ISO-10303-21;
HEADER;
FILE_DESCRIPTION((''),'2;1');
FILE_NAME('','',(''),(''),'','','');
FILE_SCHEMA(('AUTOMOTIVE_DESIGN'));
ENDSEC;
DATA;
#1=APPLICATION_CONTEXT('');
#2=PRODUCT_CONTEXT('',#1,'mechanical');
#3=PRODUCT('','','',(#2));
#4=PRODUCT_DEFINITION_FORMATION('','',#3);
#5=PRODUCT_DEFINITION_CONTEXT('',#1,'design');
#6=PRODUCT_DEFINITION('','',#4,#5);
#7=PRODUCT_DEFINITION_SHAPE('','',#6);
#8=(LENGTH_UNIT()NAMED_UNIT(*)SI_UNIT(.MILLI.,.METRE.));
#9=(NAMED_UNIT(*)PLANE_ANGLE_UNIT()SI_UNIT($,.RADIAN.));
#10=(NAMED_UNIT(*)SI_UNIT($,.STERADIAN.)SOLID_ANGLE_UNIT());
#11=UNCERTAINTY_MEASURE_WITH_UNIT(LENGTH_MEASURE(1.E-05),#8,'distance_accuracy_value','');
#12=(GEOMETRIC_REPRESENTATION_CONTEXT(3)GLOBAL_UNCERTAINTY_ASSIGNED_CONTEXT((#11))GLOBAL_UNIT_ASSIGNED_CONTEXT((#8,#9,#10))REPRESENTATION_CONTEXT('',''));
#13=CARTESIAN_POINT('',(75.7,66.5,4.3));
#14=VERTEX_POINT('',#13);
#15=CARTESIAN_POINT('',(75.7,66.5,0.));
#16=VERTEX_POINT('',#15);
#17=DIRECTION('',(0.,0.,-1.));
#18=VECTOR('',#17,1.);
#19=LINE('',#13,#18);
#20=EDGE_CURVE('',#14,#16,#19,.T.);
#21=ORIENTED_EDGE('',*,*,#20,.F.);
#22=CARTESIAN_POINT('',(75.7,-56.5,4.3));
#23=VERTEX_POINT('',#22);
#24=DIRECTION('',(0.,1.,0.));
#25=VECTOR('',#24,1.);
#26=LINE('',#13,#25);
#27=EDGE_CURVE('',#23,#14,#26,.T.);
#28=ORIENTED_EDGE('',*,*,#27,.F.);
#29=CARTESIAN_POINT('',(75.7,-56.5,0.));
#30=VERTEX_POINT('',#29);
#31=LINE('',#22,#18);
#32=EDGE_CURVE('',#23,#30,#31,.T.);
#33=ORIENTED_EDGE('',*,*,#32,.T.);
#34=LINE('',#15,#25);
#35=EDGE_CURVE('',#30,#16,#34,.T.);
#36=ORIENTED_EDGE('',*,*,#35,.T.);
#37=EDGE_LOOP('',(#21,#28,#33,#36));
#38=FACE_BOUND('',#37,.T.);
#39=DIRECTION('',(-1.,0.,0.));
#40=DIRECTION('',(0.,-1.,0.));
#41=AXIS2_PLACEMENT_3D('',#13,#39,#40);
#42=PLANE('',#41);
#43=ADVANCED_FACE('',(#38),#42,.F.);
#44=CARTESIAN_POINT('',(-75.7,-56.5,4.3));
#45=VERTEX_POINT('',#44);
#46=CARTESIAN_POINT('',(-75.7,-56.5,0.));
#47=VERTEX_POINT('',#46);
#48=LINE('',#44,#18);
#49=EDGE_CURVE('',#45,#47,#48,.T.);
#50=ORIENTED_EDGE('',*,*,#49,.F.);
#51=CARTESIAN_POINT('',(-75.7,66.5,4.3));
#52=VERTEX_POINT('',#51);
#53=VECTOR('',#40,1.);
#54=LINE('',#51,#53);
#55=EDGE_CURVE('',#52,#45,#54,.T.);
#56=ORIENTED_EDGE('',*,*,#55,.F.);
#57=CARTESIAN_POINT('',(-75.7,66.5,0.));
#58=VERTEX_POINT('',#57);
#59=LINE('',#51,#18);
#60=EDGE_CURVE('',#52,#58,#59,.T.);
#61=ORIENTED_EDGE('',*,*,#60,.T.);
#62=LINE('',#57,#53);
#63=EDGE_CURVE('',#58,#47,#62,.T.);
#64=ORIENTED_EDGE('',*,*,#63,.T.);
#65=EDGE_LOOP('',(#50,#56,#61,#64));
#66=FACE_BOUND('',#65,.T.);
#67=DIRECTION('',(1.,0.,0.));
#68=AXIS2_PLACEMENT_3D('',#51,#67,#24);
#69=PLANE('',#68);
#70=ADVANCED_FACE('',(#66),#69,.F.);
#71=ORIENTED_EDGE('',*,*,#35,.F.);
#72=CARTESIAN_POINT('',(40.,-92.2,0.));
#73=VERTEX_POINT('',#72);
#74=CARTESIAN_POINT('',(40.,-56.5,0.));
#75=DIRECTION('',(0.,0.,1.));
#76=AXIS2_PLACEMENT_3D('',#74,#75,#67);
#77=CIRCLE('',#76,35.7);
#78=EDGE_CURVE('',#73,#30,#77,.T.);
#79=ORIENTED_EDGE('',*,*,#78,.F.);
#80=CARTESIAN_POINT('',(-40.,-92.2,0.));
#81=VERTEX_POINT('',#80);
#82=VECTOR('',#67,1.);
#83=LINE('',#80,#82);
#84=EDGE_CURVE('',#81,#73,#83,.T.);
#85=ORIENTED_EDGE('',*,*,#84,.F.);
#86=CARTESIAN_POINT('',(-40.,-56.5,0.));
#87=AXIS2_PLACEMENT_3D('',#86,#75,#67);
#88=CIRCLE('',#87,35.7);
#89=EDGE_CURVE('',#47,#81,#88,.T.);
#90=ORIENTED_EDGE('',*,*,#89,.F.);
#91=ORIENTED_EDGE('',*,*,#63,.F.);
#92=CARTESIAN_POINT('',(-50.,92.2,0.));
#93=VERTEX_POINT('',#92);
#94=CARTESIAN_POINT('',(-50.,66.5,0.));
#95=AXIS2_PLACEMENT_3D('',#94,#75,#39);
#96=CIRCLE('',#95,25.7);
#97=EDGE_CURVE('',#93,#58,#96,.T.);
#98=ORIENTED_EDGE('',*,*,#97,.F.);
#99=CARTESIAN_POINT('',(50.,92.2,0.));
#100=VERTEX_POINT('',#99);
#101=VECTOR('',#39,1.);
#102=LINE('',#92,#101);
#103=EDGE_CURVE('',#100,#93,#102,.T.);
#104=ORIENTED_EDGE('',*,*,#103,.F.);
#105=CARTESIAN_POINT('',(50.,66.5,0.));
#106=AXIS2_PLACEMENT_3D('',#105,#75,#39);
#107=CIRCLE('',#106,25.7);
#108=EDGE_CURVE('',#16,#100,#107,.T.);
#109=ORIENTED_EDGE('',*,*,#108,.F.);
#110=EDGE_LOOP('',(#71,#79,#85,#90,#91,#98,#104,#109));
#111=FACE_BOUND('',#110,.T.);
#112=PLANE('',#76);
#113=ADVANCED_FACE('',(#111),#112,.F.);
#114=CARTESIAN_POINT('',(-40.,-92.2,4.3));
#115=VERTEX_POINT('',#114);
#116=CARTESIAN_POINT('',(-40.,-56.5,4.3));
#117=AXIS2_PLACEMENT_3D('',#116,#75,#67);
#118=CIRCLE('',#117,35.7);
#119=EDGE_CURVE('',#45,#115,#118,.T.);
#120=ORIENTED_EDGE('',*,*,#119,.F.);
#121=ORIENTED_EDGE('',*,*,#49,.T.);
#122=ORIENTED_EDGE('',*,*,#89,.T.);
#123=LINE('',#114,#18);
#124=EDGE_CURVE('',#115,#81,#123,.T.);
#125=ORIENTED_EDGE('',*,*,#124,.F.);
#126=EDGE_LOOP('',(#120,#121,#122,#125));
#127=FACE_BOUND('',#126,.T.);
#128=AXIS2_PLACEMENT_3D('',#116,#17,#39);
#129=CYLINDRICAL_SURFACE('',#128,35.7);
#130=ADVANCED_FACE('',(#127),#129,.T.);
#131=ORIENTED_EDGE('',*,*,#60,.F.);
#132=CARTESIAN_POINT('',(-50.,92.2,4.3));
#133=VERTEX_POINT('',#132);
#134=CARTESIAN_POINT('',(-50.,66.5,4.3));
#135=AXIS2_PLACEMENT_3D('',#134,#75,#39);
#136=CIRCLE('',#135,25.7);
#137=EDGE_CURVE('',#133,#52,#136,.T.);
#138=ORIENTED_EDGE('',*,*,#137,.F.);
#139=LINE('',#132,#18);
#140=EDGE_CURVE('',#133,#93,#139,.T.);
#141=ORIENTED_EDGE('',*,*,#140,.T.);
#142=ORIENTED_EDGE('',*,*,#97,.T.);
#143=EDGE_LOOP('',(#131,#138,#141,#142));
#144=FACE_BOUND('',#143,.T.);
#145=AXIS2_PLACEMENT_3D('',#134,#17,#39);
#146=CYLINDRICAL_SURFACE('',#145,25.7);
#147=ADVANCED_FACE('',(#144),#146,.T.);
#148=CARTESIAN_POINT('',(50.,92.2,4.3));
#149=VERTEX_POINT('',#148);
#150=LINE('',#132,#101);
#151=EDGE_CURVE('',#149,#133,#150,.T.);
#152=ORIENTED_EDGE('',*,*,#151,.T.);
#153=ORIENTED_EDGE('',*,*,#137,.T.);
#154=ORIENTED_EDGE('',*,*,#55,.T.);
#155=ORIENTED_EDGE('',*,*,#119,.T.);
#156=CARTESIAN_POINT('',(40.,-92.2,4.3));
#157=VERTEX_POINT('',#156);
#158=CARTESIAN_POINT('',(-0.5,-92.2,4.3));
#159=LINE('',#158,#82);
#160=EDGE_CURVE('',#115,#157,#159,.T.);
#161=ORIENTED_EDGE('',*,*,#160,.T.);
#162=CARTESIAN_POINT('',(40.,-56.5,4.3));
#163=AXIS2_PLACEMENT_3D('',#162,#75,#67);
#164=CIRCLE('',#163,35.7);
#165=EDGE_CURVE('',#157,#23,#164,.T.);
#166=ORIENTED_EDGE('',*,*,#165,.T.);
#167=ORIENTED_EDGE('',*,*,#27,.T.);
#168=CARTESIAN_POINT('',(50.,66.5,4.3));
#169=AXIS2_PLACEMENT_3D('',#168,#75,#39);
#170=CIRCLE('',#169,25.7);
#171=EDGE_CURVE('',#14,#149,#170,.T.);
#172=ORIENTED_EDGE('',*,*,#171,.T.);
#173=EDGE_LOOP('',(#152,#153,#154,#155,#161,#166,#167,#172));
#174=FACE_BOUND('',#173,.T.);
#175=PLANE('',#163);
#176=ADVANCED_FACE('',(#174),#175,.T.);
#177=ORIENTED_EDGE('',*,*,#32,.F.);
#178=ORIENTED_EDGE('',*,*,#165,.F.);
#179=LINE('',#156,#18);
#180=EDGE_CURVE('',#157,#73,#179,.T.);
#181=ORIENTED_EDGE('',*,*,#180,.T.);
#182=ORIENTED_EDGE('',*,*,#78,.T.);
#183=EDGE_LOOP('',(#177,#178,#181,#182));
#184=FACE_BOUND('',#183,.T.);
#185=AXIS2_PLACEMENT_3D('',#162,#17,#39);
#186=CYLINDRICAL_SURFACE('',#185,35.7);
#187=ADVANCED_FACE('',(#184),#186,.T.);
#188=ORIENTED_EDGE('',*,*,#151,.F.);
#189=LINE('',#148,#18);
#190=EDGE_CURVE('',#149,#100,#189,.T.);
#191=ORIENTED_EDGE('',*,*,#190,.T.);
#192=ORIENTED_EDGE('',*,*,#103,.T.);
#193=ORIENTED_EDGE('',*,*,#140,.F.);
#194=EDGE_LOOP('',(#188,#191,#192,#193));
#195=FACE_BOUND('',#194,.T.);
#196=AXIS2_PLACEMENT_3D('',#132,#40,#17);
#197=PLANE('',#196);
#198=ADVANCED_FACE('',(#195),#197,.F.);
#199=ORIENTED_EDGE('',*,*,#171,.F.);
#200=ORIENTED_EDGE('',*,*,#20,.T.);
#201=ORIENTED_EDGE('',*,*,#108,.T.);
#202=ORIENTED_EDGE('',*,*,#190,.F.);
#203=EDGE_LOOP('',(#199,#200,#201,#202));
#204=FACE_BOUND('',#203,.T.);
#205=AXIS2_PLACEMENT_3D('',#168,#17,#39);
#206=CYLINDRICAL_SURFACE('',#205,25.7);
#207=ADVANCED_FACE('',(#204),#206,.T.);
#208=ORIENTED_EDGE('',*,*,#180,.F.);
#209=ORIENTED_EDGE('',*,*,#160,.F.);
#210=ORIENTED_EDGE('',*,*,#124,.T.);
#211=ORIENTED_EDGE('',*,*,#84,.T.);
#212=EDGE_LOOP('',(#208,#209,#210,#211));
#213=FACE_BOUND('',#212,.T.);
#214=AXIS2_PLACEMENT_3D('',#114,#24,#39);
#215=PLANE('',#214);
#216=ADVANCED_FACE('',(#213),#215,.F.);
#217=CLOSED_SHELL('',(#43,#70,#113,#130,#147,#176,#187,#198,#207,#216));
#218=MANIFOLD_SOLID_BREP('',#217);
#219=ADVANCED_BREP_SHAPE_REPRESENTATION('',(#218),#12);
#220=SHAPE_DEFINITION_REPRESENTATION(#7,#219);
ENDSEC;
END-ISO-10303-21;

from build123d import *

# Parameters (mm, degrees)
BOSS_EXTRUDE1_DEPTH = 4.3


with BuildPart() as part:
    # Sketch1 → Boss-Extrude1 (new body)
    with BuildSketch(Plane.XY):
        with BuildLine():
            Line((0.5, -92.2), (40, -92.2))
            ThreePointArc((40, -92.2), (65.243712088, -81.743712088), (75.7, -56.5))
            Line((75.7, -56.5), (75.7, 66.5))
            ThreePointArc((75.7, 66.5), (68.172644276, 84.672644276), (50, 92.2))
            Line((50, 92.2), (-50, 92.2))
            ThreePointArc((-50, 92.2), (-68.172644276, 84.672644276), (-75.7, 66.5))
            Line((-75.7, 66.5), (-75.7, -56.5))
            ThreePointArc((-75.7, -56.5), (-65.243712088, -81.743712088), (-40, -92.2))
            Line((-40, -92.2), (-0.5, -92.2))
            Line((-0.5, -92.2), (0.5, -92.2))
        make_face()
    extrude(amount=BOSS_EXTRUDE1_DEPTH)


solid = part.part
